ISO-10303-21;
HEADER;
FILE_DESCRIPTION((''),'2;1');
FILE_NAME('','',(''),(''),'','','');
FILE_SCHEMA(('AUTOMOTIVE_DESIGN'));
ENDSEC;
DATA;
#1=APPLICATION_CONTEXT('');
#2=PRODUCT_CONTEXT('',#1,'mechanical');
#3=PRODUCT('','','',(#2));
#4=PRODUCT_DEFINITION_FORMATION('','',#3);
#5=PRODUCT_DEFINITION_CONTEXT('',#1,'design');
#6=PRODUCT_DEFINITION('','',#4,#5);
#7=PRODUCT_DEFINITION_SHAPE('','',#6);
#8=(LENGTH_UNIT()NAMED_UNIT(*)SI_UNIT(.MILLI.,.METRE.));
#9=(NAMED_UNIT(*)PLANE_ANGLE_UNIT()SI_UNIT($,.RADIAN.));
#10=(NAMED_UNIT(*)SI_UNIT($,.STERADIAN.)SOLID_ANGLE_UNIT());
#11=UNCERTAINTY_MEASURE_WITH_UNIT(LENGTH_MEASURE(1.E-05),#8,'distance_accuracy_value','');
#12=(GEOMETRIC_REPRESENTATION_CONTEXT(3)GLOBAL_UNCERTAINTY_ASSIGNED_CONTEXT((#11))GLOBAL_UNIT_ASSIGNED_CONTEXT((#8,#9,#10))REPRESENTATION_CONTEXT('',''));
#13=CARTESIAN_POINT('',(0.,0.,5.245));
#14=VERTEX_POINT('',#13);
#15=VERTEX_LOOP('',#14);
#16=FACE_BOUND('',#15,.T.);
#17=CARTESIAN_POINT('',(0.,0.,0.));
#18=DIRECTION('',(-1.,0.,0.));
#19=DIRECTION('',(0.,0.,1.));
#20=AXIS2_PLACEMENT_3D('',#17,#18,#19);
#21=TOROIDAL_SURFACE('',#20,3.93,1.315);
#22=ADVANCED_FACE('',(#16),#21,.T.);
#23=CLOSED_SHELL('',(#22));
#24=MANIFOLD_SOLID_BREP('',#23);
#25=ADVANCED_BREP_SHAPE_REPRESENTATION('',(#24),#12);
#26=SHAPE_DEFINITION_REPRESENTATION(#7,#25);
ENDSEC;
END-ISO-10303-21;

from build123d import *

# Parameters (mm, degrees)
SKETCH_1_R = 1.315


with BuildPart() as part:
    # 草图1 → 旋转1 (revolve)
    with BuildSketch(Plane.XY, mode=Mode.PRIVATE) as revolve_1_sk:
        with Locations((0, 3.93)):
            Circle(SKETCH_1_R)
    revolve(revolve_1_sk.sketch.rotate(Axis((0, 0, 0), (1, 0, 0)), 90), axis=Axis((0, 0, 0), (1, 0, 0)))


solid = part.part
